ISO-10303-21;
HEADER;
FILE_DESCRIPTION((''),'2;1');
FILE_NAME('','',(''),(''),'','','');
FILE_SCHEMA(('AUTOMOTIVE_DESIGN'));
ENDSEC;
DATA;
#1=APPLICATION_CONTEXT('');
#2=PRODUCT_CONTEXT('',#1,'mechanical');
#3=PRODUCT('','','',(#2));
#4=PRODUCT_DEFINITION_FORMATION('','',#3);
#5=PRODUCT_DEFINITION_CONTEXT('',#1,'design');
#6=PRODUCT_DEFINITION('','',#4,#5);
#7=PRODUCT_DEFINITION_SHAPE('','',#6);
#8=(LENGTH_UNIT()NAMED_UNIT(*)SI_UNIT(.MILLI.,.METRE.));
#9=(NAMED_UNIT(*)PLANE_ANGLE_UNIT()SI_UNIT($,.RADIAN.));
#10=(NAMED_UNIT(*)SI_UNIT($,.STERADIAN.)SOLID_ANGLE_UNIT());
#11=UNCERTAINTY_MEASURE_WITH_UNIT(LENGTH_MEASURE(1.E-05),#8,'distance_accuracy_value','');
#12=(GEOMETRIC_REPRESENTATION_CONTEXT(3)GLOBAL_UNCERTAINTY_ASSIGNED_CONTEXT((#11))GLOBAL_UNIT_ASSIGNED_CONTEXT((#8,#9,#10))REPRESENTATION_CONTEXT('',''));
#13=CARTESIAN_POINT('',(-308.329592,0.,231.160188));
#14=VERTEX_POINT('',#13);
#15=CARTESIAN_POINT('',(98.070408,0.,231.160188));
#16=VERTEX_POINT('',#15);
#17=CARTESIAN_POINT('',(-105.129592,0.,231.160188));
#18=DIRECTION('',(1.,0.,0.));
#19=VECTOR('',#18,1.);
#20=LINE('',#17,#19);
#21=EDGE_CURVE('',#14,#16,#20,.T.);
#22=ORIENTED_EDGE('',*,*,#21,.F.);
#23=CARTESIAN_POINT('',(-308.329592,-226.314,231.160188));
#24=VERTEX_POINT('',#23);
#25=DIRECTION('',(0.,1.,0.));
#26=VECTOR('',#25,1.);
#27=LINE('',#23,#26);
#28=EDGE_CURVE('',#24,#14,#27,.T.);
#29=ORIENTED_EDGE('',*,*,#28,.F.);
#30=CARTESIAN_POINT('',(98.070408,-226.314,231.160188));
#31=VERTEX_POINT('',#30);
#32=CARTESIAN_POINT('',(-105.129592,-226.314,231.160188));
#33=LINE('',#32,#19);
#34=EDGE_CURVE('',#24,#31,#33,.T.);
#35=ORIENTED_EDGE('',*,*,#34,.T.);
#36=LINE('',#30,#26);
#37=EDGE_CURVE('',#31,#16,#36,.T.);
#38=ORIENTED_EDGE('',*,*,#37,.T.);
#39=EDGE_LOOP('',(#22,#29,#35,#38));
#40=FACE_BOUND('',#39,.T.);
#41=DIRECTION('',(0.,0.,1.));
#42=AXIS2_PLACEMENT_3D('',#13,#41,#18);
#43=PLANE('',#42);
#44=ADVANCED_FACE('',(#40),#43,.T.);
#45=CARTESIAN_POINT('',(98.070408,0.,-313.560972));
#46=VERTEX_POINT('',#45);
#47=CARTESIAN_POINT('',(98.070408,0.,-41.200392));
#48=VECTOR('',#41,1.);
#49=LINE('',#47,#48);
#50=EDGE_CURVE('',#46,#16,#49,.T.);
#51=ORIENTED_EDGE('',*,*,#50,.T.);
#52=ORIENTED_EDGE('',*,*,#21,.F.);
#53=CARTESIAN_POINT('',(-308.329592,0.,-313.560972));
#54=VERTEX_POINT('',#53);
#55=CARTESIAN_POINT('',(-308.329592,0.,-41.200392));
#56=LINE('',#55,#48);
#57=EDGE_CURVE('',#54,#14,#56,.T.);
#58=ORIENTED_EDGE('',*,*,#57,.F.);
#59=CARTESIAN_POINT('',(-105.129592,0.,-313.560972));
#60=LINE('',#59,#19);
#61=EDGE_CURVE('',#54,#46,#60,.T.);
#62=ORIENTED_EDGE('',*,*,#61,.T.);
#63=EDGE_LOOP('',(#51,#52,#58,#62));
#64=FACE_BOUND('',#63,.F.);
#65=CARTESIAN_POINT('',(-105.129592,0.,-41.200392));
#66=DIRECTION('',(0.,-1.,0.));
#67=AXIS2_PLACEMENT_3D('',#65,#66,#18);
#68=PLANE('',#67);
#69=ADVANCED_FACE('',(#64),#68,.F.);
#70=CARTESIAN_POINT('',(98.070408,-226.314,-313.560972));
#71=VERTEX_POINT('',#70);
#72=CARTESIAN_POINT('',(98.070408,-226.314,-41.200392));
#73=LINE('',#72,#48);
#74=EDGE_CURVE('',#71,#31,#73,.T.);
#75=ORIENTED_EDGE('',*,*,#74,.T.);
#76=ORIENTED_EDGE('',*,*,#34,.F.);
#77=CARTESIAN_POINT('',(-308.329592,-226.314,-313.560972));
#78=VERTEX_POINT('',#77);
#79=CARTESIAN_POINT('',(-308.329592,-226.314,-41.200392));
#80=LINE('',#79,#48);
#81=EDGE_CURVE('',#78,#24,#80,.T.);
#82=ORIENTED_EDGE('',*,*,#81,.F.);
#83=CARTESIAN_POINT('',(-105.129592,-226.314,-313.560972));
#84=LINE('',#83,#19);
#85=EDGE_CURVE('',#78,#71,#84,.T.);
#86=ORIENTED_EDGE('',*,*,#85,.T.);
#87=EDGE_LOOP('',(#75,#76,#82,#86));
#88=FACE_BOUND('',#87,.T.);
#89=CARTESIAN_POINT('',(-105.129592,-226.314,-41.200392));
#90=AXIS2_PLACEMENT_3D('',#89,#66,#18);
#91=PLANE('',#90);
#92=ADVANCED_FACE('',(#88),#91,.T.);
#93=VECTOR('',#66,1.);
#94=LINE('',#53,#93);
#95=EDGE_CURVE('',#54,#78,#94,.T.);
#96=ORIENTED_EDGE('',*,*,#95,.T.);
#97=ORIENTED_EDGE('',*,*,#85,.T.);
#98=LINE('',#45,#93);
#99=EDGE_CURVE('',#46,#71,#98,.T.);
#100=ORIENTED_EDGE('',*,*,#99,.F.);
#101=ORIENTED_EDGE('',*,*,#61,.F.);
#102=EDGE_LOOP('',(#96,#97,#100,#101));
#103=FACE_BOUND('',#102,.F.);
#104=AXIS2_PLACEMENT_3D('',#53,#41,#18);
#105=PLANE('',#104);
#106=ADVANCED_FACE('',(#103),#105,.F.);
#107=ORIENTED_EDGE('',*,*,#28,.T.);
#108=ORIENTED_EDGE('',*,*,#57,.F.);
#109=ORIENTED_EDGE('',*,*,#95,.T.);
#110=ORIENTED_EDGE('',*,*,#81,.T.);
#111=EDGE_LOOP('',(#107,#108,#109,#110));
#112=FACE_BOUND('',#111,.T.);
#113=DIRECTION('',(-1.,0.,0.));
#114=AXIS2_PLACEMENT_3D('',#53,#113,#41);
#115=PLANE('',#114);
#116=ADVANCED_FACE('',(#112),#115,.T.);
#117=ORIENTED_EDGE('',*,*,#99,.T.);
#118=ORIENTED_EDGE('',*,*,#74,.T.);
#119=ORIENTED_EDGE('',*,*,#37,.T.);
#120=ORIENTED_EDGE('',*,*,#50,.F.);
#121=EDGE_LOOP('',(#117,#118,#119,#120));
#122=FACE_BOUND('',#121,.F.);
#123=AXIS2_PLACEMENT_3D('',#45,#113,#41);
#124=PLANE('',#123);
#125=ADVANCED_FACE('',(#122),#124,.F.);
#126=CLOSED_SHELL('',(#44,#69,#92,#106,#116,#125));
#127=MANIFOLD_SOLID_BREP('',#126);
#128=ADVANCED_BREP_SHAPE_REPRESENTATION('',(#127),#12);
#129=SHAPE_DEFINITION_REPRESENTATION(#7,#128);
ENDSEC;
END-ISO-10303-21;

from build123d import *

# Parameters (mm, degrees)
F0_W       = 406.4
F0_H       = 544.7211598467
F2_DEPTH   = 179.832
F3_W       = 406.4
F3_H       = 544.7211598467
F4_DEPTH   = 171.704
F6_W       = 406.4
F6_H       = 544.7211598467
F4_FACE_W  = 406.4
F4_FACE_H  = 544.7211598467
F1_W       = 406.4
F1_H       = 544.7211598467
F2_FACE1_W = 406.4
F2_FACE1_H = 544.7211598467
F7_DEPTH   = 218.186


with BuildPart() as f2:
    # F0 (on Front) → F2 (new body)
    with BuildSketch(Plane.XZ):
        with Locations((-105.1295921206, -41.2003919482)):
            Rectangle(F0_W, F0_H)
    extrude(amount=F2_DEPTH)

    # F3 (on face) → F4 (cut)
    with BuildSketch(Plane.XZ.offset(179.832)):
        with Locations((-105.1295921206, -41.2003919482)):
            Rectangle(F3_W, F3_H)
    extrude(amount=-F4_DEPTH, mode=Mode.SUBTRACT)

    # F6 (on face) + F4_face (on face) + F1 (on face) + F2_face1 (on face) → F7 (join)
    with BuildSketch(Plane.XZ):
        with Locations((-105.1295921206, -41.2003919482)):
            Rectangle(F6_W, F6_H)
    with BuildSketch(Plane(origin=(-105.1295921206, -8.128, -41.2003919482), x_dir=(1, 0, 0), z_dir=(0, -1, 0))):
        Rectangle(F4_FACE_W, F4_FACE_H)
    with BuildSketch(Plane.XZ):
        with Locations((-105.1295921206, -41.2003919482)):
            Rectangle(F1_W, F1_H)
    with BuildSketch(Plane(origin=(-105.1295921206, 0, -41.2003919482), x_dir=(1, 0, 0), z_dir=(0, 1, 0))):
        Rectangle(F2_FACE1_W, F2_FACE1_H)
    extrude(amount=F7_DEPTH, dir=(0, -1, 0))


solid = f2.part
